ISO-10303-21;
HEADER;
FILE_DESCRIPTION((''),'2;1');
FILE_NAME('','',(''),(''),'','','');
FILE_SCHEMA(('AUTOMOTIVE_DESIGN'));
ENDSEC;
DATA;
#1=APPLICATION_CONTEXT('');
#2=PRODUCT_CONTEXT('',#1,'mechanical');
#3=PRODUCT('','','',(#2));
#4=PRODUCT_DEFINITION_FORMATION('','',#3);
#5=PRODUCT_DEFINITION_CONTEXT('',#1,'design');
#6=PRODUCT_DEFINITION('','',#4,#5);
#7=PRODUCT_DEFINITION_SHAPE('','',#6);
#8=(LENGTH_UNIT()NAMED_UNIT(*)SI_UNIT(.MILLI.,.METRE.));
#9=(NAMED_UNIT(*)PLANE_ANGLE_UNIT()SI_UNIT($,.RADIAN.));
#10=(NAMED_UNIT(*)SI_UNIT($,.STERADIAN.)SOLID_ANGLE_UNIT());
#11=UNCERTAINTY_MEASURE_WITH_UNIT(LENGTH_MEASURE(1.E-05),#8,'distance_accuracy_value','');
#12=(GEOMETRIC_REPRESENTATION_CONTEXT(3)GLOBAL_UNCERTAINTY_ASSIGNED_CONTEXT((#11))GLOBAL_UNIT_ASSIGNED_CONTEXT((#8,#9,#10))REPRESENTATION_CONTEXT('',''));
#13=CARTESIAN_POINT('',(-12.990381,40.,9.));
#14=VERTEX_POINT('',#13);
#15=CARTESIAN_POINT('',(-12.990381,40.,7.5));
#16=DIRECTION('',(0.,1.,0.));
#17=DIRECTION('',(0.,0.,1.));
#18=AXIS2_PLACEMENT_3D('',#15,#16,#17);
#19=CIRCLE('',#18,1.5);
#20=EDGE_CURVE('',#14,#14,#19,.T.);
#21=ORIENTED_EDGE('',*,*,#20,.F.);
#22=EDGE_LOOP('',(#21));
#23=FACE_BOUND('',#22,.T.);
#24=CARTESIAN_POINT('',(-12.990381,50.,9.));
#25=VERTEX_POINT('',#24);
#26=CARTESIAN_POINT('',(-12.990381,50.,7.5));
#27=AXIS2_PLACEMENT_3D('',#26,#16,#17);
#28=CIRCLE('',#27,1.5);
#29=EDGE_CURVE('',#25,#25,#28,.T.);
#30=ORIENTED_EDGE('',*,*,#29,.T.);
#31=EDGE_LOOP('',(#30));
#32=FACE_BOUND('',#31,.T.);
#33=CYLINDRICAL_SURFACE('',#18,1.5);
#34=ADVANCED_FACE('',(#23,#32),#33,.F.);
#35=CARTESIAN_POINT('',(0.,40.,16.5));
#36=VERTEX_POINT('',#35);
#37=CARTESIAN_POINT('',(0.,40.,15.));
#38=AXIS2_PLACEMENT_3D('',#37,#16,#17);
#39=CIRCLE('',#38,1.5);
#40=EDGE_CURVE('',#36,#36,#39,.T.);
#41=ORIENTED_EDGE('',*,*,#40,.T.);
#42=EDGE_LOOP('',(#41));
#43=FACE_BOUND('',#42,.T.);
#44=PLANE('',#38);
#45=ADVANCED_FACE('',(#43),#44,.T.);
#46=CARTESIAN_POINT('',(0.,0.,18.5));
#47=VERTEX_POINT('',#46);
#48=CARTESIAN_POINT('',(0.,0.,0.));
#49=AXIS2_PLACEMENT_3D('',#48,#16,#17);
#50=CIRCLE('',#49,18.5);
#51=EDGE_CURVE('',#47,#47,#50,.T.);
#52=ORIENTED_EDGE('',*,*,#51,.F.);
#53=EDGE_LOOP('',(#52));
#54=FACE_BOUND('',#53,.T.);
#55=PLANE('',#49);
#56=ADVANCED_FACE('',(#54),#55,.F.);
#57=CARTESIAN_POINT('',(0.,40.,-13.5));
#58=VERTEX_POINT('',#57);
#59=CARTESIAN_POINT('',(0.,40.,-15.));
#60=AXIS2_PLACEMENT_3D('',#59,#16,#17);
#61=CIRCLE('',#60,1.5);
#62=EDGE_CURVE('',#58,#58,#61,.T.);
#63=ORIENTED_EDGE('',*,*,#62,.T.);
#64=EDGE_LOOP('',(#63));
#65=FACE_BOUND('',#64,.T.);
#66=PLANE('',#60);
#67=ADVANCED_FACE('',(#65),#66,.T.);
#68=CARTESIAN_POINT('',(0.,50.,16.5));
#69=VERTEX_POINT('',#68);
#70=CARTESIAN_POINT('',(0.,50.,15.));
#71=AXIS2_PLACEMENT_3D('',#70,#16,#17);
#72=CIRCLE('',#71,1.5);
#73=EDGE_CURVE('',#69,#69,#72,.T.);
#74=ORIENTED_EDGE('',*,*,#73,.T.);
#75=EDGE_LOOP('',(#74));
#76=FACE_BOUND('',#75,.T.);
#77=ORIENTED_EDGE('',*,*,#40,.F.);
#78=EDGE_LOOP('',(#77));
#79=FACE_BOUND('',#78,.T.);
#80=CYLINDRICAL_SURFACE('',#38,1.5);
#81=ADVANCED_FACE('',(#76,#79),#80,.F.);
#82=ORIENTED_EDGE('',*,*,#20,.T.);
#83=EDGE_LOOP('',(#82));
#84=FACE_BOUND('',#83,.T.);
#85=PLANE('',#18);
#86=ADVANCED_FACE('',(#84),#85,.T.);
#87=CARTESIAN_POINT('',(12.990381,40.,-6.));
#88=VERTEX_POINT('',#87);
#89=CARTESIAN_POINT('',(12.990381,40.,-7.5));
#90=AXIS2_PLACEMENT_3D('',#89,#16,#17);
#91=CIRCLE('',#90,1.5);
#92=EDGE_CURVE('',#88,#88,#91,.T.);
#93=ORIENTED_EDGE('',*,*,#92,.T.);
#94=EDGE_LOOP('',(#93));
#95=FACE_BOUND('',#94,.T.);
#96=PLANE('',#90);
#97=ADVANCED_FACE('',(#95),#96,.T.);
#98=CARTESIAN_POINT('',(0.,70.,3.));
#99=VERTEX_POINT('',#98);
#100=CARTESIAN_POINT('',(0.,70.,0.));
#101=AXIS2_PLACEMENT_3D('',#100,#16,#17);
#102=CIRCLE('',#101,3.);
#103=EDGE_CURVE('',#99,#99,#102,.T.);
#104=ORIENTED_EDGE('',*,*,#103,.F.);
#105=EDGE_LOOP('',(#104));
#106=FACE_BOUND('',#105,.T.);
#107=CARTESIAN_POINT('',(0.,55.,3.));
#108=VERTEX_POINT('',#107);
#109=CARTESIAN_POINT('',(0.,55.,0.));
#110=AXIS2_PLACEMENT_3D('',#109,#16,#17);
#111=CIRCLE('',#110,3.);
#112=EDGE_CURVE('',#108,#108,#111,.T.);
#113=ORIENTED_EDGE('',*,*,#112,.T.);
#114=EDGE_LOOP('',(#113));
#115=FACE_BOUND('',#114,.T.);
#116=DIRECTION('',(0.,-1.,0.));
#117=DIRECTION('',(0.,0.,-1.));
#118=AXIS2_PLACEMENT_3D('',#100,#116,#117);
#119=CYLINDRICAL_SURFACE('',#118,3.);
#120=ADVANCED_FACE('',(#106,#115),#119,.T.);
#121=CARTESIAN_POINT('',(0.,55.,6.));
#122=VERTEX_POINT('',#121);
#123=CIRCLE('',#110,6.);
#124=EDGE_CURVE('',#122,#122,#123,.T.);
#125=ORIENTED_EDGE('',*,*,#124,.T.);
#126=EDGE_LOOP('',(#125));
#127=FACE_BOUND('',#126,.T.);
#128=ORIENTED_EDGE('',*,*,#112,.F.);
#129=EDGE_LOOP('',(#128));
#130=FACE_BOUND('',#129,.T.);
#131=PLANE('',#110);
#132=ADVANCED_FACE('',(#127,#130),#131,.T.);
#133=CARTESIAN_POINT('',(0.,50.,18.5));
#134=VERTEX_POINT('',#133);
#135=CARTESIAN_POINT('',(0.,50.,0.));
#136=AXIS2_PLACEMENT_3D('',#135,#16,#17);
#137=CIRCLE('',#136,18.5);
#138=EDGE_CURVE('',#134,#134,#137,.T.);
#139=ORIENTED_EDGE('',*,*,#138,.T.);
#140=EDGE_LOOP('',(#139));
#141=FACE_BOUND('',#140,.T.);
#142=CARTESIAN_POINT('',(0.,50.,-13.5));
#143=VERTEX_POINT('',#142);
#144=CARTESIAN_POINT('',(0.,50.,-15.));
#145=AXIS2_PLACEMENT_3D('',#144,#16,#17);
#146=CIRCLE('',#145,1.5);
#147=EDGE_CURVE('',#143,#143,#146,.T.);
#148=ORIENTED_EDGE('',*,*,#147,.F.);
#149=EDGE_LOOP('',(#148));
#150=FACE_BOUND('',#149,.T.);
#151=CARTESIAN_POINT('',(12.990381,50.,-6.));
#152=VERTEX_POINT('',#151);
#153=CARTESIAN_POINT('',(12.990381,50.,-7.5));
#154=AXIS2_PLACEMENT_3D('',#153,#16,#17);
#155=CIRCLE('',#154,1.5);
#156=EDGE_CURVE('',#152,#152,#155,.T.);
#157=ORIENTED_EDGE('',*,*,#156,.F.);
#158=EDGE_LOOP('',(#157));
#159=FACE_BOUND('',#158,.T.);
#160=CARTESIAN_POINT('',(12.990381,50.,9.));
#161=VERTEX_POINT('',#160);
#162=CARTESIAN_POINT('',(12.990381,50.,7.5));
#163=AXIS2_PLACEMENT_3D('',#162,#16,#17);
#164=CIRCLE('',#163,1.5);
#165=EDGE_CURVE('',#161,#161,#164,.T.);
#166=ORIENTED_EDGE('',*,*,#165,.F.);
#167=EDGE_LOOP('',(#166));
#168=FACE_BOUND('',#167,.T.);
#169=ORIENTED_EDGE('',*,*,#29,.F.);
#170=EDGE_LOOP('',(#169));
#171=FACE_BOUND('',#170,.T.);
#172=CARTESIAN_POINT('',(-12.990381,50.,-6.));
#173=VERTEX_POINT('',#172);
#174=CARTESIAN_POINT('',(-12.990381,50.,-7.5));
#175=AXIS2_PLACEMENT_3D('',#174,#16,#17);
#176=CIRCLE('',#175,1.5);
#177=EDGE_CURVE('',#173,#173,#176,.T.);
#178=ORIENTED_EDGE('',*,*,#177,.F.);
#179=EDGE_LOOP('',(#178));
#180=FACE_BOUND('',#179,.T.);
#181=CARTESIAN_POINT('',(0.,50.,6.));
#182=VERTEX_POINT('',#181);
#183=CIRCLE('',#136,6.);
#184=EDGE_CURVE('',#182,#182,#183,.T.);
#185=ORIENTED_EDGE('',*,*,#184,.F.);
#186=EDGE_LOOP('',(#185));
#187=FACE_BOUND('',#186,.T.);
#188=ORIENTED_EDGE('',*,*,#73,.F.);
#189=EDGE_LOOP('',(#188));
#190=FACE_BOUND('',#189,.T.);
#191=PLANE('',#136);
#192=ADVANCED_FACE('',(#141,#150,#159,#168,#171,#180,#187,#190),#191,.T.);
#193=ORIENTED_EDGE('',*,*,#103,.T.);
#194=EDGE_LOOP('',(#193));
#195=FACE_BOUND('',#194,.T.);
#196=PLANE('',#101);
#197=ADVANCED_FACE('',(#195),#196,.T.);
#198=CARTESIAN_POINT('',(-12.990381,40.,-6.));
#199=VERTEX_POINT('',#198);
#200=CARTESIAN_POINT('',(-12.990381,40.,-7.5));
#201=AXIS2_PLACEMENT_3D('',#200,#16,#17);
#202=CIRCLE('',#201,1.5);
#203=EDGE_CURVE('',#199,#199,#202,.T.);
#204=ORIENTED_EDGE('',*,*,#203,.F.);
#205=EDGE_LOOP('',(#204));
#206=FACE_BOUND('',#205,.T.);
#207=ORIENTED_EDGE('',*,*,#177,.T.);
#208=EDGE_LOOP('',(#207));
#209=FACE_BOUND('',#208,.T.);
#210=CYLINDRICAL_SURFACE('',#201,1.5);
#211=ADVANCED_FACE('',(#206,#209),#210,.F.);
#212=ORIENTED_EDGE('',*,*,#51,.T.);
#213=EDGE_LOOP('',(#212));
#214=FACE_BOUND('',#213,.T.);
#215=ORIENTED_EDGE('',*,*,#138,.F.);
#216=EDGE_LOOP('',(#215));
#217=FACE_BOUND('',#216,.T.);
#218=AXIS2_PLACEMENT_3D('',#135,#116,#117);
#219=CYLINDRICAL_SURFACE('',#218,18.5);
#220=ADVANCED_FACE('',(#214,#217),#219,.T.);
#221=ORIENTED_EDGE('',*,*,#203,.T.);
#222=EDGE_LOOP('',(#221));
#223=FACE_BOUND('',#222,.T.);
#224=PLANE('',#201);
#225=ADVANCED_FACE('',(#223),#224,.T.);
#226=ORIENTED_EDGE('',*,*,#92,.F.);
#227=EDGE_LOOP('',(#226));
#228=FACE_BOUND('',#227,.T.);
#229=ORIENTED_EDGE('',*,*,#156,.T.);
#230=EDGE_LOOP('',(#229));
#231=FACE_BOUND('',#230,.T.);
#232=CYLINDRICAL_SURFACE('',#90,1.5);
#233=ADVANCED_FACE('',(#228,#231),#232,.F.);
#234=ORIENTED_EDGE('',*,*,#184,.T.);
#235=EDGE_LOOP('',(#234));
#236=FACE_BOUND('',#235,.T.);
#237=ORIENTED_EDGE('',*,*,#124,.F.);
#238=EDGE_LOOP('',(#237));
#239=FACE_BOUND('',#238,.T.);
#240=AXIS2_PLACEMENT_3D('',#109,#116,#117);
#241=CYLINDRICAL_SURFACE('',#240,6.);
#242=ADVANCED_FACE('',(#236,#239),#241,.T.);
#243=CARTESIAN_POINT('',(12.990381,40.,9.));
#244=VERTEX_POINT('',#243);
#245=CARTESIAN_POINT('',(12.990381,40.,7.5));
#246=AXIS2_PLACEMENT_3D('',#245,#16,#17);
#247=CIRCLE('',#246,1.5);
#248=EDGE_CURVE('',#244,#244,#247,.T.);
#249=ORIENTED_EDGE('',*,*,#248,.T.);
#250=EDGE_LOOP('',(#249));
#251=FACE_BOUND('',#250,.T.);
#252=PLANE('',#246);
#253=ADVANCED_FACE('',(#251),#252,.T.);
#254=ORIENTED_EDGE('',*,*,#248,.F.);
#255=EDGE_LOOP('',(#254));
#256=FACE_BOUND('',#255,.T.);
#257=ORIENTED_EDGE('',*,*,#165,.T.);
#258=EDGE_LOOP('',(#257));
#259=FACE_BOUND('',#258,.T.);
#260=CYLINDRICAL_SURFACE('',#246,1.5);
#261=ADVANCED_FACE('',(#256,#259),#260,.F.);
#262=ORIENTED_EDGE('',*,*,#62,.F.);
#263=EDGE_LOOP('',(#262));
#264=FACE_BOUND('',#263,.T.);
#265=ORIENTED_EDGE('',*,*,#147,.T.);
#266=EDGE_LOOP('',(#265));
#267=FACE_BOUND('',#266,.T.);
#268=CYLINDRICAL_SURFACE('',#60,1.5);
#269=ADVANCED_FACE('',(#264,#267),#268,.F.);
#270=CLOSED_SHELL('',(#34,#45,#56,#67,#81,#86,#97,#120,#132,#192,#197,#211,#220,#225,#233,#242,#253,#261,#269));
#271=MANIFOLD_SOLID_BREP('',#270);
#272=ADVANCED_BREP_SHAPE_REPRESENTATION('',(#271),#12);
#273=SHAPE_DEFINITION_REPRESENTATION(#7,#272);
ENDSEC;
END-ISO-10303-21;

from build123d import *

# Parameters (mm, degrees)
SKETCH1_R           = 18.5
BOSS_EXTRUDE1_DEPTH = 50
SKETCH2_R           = 6
BOSS_EXTRUDE2_DEPTH = 5
SKETCH3_R           = 3
BOSS_EXTRUDE3_DEPTH = 15
SKETCH4_R           = 1.5
CUT_EXTRUDE1_DEPTH  = 10


with BuildPart() as part:
    # Sketch1 → Boss-Extrude1 (new body)
    with BuildSketch(Plane(origin=(0, 0, 0), x_dir=(1, 0, 0), z_dir=(0, 1, 0))):
        with Locations(Location((0, 0, 0), (0, 0, 270))):
            Circle(SKETCH1_R)
    extrude(amount=BOSS_EXTRUDE1_DEPTH)

    # Sketch2 → Boss-Extrude2 (add)
    with BuildSketch(Plane(origin=(0, 50, 0), x_dir=(1, 0, 0), z_dir=(0, 1, 0))):
        with Locations(Location((0, 0, 0), (0, 0, 270))):
            Circle(SKETCH2_R)
    extrude(amount=BOSS_EXTRUDE2_DEPTH)

    # Sketch3 → Boss-Extrude3 (add)
    with BuildSketch(Plane(origin=(0, 55, 0), x_dir=(1, 0, 0), z_dir=(0, 1, 0))):
        with Locations(Location((0, 0, 0), (0, 0, 270))):
            Circle(SKETCH3_R)
    extrude(amount=BOSS_EXTRUDE3_DEPTH)

    # Sketch4 → Cut-Extrude1 (cut)
    with BuildSketch(Plane(origin=(0, 50, 0), x_dir=(1, 0, 0), z_dir=(0, 1, 0))):
        with Locations(Location((0, 15, 0), (0, 0, 270))):
            Circle(SKETCH4_R)
        with Locations(Location((12.990381057, 7.5, 0), (0, 0, 270))):
            Circle(SKETCH4_R)
        with Locations(Location((12.990381057, -7.5, 0), (0, 0, 270))):
            Circle(SKETCH4_R)
        with Locations(Location((0, -15, 0), (0, 0, 270))):
            Circle(SKETCH4_R)
        with Locations(Location((-12.990381057, -7.5, 0), (0, 0, 270))):
            Circle(SKETCH4_R)
        with Locations(Location((-12.990381057, 7.5, 0), (0, 0, 270))):
            Circle(SKETCH4_R)
    extrude(amount=-CUT_EXTRUDE1_DEPTH, mode=Mode.SUBTRACT)


solid = part.part
